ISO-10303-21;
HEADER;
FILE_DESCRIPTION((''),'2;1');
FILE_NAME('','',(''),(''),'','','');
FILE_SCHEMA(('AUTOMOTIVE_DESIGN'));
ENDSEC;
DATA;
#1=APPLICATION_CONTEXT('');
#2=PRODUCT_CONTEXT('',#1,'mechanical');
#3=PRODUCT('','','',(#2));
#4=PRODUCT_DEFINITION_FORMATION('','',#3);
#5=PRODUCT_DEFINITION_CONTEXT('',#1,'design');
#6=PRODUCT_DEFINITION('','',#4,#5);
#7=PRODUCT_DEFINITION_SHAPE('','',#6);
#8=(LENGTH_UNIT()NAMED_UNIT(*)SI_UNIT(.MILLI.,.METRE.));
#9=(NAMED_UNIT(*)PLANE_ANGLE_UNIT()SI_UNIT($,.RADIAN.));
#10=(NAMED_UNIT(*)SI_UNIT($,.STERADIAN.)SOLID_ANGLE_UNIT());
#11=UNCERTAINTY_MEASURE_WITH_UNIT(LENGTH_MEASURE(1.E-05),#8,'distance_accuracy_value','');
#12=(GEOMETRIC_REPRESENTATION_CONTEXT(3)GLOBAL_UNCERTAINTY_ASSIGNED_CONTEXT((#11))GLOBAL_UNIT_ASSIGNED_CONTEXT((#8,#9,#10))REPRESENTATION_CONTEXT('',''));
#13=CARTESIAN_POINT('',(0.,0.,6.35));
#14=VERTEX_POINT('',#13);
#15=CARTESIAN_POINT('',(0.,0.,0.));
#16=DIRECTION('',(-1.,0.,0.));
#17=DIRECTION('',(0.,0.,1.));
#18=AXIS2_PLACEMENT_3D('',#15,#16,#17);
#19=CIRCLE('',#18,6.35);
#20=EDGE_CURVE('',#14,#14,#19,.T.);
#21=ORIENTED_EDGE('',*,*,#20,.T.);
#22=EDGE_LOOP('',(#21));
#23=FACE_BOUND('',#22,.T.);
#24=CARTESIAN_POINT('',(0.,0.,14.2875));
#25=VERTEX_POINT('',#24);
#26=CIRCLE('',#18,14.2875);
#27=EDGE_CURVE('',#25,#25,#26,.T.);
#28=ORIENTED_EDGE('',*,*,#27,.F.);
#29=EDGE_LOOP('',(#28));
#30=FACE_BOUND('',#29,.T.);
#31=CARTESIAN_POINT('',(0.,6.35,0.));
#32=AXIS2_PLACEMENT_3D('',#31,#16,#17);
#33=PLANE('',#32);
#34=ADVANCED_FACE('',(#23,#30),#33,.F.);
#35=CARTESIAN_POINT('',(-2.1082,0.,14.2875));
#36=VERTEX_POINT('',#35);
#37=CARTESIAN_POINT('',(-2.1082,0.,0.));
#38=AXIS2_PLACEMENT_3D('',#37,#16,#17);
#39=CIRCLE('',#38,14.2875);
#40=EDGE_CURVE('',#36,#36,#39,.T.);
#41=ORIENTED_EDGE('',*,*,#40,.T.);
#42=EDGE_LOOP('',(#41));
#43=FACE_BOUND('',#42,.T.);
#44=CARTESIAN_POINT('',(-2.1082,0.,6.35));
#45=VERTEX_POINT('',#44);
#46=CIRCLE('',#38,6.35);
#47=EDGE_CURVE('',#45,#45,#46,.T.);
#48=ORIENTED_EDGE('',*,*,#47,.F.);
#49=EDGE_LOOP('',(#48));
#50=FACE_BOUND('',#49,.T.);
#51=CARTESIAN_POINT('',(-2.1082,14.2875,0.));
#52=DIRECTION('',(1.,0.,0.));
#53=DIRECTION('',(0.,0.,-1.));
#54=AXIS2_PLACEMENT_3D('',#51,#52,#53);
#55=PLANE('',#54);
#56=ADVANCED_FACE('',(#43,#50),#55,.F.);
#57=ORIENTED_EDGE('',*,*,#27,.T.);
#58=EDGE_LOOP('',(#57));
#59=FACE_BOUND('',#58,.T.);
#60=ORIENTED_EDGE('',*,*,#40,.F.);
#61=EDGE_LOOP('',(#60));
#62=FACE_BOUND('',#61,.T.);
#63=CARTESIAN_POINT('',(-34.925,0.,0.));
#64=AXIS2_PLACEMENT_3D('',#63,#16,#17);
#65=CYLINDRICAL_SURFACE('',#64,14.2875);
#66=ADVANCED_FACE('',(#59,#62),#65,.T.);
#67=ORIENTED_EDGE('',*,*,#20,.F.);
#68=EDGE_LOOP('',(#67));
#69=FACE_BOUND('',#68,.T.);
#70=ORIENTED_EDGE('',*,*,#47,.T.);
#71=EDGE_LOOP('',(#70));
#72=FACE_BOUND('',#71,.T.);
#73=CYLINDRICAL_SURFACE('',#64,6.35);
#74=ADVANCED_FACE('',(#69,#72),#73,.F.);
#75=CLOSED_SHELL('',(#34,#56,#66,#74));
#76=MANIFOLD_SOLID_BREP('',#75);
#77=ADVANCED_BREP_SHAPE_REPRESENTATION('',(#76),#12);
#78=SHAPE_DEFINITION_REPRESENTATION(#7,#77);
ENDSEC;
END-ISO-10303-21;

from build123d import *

# Parameters (mm, degrees)
SKETCH1_W = 2.1082
SKETCH1_H = 7.9375


with BuildPart() as part:
    # Sketch1 → Base-Revolve (revolve)
    with BuildSketch(Plane.XY, mode=Mode.PRIVATE) as base_revolve_sk:
        with Locations((-1.0541, 10.31875)):
            Rectangle(SKETCH1_W, SKETCH1_H)
    revolve(base_revolve_sk.sketch.rotate(Axis((-34.925, 0, 0), (1, 0, 0)), 90), axis=Axis((-34.925, 0, 0), (1, 0, 0)))


solid = part.part
